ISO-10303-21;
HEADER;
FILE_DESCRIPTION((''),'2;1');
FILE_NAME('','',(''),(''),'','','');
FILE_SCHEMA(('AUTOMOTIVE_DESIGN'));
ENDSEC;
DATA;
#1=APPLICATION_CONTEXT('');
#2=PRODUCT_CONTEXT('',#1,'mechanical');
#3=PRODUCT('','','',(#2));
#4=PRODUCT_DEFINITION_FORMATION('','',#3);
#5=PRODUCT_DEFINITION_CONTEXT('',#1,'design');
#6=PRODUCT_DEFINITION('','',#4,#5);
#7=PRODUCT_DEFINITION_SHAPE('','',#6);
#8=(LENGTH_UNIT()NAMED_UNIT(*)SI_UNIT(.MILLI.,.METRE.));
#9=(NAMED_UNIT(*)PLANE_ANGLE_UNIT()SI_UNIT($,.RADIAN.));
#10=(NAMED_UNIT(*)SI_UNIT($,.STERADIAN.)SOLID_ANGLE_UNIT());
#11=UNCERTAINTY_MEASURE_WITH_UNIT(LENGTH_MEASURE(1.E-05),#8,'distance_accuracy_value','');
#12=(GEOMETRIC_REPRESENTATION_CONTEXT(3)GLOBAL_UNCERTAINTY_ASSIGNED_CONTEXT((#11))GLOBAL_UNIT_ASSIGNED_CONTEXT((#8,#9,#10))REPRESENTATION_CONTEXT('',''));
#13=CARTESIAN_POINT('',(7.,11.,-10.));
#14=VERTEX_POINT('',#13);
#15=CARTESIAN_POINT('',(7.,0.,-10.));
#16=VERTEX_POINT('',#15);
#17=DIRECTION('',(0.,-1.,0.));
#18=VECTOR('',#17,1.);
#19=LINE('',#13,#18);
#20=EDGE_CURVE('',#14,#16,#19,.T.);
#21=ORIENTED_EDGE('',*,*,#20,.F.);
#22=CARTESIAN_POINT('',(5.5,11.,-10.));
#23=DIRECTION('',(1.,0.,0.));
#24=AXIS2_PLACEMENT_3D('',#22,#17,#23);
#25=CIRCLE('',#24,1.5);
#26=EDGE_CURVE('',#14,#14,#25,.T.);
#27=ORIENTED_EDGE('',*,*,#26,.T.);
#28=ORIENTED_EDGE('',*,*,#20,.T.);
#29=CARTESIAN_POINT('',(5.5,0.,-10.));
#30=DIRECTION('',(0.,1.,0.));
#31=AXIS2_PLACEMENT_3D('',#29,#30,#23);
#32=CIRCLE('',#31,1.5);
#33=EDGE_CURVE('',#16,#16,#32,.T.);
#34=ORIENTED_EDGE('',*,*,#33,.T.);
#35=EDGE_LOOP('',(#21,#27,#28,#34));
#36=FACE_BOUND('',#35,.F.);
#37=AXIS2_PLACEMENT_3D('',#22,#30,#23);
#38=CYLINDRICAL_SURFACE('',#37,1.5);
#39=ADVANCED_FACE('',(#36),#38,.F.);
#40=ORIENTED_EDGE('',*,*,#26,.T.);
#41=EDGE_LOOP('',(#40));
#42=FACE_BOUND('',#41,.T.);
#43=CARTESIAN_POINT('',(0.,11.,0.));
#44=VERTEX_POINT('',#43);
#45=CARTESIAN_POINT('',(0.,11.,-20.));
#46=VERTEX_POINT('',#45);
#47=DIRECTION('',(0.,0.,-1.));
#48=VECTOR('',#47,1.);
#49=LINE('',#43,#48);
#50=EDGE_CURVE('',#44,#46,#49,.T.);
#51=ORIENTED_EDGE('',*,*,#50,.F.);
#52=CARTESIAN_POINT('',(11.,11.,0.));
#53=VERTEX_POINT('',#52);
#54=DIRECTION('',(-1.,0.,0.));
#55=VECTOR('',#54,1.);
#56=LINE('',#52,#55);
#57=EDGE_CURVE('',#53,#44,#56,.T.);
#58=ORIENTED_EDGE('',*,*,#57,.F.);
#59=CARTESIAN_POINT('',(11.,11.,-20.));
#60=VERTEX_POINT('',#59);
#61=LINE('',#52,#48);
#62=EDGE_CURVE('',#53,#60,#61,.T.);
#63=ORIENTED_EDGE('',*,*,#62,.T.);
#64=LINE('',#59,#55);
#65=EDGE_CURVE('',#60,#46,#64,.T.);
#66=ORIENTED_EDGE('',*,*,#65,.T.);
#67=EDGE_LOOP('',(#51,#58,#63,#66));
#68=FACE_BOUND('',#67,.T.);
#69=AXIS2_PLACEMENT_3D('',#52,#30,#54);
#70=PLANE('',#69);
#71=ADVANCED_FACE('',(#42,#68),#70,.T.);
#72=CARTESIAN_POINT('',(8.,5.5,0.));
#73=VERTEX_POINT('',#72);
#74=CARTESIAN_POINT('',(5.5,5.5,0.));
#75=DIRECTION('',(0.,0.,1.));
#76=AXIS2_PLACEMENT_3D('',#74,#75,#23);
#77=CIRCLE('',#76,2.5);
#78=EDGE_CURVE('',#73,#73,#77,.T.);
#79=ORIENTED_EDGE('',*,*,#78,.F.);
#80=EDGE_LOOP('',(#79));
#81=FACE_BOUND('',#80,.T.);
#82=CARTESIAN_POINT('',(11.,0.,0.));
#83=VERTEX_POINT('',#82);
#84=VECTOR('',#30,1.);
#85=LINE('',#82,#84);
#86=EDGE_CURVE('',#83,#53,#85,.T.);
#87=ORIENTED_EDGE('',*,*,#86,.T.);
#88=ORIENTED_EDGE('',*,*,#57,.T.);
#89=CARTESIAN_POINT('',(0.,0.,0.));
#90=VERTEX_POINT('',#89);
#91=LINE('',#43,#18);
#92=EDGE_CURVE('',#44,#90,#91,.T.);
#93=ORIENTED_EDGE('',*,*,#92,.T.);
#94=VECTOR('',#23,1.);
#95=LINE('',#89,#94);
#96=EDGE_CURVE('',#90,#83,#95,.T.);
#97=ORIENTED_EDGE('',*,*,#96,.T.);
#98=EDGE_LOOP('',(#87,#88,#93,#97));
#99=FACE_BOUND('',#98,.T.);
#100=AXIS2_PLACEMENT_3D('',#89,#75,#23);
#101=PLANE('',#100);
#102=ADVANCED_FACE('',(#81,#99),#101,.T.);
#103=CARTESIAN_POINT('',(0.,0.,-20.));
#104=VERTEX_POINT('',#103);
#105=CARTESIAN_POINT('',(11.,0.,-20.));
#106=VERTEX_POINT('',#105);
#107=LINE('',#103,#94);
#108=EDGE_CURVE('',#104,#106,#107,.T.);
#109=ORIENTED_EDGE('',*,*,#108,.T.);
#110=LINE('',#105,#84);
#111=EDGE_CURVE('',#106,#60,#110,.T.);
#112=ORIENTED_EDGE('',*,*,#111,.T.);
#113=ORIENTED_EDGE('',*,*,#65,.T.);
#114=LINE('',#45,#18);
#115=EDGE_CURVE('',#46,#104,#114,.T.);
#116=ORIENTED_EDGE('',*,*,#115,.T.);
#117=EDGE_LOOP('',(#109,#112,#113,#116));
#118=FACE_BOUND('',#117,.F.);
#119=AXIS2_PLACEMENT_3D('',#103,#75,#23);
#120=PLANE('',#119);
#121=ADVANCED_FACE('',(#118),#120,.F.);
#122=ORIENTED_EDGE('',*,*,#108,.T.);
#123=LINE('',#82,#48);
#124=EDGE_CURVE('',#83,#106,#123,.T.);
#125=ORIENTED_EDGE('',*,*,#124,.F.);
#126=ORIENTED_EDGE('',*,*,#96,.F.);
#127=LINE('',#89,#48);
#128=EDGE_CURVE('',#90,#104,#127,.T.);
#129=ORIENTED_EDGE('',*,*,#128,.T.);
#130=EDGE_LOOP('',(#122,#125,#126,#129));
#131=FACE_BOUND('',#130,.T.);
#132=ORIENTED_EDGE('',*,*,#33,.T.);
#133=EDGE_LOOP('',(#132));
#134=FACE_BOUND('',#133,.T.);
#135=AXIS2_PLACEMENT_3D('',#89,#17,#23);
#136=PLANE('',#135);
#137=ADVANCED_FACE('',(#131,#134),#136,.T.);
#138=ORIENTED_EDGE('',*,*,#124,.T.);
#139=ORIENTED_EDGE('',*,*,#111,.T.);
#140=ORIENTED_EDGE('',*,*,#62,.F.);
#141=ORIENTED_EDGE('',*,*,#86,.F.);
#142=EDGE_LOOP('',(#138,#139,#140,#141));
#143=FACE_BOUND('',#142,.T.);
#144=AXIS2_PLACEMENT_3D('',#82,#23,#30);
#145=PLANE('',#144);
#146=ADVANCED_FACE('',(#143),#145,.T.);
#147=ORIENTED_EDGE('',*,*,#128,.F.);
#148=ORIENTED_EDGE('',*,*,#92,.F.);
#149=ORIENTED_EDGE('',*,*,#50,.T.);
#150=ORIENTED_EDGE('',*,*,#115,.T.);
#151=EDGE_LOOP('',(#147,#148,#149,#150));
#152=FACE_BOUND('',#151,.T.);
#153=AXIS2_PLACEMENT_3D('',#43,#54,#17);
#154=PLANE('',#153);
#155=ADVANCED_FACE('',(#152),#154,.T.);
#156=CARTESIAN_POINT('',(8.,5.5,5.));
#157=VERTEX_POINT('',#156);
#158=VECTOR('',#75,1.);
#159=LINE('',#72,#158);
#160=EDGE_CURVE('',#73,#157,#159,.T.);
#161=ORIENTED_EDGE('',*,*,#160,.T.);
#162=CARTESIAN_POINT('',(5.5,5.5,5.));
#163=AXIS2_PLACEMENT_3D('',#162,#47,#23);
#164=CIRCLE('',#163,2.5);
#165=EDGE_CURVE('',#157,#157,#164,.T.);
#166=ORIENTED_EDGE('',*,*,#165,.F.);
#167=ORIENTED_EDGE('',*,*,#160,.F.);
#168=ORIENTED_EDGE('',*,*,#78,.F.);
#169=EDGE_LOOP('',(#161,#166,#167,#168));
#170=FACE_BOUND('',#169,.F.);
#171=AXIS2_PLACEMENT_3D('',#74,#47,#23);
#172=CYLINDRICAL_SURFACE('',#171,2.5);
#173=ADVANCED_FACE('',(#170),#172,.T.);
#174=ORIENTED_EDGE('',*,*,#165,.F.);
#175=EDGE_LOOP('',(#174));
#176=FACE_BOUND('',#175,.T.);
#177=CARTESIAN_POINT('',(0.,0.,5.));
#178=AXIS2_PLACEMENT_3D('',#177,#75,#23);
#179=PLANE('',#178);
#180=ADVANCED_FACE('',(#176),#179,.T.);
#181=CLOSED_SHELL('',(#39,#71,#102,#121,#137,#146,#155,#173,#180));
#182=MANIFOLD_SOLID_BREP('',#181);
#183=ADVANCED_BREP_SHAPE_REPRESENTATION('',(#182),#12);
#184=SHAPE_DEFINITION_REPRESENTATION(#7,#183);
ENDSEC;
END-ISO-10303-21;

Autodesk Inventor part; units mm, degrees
ref_plane "YZ Plane" through (0, 0, 0) normal (1, 0, 0) x (0, 1, 0)
ref_plane "XZ Plane" through (0, 0, 0) normal (0, 1, 0) x (-1, 0, 0)
ref_plane "XY Plane" through (0, 0, 0) normal (0, 0, 1) x (1, 0, 0)
sketch "Sketch1" plane through (0, 0, 0) normal (0, 0, 1) x (1, 0, 0)
  line L0 (0, 0) -> (11, 0)
  line L1 (11, 0) -> (11, 11)
  line L2 (11, 11) -> (0, 11)
  line L3 (0, 11) -> (0, 0)
  dimension "d0" = 11
  dimension "d1" = 11
extrude "Extrusion1" add sketch "Sketch1" against normal blind 20
sketch "Sketch2" plane through (0, 0, 0) normal (0, 0, 1) x (1, 0, 0)
  line L0 (0, 0) -> (0, 11) projected
  line L1 (11, 11) -> (11, 0) projected
  line L2 (0, 11) -> (11, 0)
  line L3 (11, 0) -> (11, 11)
  line L4 (11, 11) -> (0, 0)
  circle A0 centre (5.5, 5.5) radius 2.5
  dimension "d4" = 5
extrude "Extrusion2" add sketch "Sketch2" along normal blind 5 contours A0 L2 L4 | L4 L2 A0 | A0 L4 L2 | L4 A0 L2
sketch "Sketch3" plane through (0, 11, 0) normal (0, 1, 0) x (1, 0, 0)
  line L0 (0, 0) -> (0, 20) projected
  line L1 (0, 10) -> (11, 10)
  line L2 (11, 0) -> (11, 20) projected
  line L3 (0, 0) -> (11, 0) projected
  line L4 (5.5, 0) -> (5.5, 20)
  circle A0 centre (5.5, 10) radius 1.5
  dimension "d7" = 3
extrude "Extrusion3" cut sketch "Sketch3" against normal through all contours A0 L4 L1 | L1 L4 A0 | L4 L1 A0 | L4 A0 L1
properties part number "Aluminium-Connector_Lengan pendek"
